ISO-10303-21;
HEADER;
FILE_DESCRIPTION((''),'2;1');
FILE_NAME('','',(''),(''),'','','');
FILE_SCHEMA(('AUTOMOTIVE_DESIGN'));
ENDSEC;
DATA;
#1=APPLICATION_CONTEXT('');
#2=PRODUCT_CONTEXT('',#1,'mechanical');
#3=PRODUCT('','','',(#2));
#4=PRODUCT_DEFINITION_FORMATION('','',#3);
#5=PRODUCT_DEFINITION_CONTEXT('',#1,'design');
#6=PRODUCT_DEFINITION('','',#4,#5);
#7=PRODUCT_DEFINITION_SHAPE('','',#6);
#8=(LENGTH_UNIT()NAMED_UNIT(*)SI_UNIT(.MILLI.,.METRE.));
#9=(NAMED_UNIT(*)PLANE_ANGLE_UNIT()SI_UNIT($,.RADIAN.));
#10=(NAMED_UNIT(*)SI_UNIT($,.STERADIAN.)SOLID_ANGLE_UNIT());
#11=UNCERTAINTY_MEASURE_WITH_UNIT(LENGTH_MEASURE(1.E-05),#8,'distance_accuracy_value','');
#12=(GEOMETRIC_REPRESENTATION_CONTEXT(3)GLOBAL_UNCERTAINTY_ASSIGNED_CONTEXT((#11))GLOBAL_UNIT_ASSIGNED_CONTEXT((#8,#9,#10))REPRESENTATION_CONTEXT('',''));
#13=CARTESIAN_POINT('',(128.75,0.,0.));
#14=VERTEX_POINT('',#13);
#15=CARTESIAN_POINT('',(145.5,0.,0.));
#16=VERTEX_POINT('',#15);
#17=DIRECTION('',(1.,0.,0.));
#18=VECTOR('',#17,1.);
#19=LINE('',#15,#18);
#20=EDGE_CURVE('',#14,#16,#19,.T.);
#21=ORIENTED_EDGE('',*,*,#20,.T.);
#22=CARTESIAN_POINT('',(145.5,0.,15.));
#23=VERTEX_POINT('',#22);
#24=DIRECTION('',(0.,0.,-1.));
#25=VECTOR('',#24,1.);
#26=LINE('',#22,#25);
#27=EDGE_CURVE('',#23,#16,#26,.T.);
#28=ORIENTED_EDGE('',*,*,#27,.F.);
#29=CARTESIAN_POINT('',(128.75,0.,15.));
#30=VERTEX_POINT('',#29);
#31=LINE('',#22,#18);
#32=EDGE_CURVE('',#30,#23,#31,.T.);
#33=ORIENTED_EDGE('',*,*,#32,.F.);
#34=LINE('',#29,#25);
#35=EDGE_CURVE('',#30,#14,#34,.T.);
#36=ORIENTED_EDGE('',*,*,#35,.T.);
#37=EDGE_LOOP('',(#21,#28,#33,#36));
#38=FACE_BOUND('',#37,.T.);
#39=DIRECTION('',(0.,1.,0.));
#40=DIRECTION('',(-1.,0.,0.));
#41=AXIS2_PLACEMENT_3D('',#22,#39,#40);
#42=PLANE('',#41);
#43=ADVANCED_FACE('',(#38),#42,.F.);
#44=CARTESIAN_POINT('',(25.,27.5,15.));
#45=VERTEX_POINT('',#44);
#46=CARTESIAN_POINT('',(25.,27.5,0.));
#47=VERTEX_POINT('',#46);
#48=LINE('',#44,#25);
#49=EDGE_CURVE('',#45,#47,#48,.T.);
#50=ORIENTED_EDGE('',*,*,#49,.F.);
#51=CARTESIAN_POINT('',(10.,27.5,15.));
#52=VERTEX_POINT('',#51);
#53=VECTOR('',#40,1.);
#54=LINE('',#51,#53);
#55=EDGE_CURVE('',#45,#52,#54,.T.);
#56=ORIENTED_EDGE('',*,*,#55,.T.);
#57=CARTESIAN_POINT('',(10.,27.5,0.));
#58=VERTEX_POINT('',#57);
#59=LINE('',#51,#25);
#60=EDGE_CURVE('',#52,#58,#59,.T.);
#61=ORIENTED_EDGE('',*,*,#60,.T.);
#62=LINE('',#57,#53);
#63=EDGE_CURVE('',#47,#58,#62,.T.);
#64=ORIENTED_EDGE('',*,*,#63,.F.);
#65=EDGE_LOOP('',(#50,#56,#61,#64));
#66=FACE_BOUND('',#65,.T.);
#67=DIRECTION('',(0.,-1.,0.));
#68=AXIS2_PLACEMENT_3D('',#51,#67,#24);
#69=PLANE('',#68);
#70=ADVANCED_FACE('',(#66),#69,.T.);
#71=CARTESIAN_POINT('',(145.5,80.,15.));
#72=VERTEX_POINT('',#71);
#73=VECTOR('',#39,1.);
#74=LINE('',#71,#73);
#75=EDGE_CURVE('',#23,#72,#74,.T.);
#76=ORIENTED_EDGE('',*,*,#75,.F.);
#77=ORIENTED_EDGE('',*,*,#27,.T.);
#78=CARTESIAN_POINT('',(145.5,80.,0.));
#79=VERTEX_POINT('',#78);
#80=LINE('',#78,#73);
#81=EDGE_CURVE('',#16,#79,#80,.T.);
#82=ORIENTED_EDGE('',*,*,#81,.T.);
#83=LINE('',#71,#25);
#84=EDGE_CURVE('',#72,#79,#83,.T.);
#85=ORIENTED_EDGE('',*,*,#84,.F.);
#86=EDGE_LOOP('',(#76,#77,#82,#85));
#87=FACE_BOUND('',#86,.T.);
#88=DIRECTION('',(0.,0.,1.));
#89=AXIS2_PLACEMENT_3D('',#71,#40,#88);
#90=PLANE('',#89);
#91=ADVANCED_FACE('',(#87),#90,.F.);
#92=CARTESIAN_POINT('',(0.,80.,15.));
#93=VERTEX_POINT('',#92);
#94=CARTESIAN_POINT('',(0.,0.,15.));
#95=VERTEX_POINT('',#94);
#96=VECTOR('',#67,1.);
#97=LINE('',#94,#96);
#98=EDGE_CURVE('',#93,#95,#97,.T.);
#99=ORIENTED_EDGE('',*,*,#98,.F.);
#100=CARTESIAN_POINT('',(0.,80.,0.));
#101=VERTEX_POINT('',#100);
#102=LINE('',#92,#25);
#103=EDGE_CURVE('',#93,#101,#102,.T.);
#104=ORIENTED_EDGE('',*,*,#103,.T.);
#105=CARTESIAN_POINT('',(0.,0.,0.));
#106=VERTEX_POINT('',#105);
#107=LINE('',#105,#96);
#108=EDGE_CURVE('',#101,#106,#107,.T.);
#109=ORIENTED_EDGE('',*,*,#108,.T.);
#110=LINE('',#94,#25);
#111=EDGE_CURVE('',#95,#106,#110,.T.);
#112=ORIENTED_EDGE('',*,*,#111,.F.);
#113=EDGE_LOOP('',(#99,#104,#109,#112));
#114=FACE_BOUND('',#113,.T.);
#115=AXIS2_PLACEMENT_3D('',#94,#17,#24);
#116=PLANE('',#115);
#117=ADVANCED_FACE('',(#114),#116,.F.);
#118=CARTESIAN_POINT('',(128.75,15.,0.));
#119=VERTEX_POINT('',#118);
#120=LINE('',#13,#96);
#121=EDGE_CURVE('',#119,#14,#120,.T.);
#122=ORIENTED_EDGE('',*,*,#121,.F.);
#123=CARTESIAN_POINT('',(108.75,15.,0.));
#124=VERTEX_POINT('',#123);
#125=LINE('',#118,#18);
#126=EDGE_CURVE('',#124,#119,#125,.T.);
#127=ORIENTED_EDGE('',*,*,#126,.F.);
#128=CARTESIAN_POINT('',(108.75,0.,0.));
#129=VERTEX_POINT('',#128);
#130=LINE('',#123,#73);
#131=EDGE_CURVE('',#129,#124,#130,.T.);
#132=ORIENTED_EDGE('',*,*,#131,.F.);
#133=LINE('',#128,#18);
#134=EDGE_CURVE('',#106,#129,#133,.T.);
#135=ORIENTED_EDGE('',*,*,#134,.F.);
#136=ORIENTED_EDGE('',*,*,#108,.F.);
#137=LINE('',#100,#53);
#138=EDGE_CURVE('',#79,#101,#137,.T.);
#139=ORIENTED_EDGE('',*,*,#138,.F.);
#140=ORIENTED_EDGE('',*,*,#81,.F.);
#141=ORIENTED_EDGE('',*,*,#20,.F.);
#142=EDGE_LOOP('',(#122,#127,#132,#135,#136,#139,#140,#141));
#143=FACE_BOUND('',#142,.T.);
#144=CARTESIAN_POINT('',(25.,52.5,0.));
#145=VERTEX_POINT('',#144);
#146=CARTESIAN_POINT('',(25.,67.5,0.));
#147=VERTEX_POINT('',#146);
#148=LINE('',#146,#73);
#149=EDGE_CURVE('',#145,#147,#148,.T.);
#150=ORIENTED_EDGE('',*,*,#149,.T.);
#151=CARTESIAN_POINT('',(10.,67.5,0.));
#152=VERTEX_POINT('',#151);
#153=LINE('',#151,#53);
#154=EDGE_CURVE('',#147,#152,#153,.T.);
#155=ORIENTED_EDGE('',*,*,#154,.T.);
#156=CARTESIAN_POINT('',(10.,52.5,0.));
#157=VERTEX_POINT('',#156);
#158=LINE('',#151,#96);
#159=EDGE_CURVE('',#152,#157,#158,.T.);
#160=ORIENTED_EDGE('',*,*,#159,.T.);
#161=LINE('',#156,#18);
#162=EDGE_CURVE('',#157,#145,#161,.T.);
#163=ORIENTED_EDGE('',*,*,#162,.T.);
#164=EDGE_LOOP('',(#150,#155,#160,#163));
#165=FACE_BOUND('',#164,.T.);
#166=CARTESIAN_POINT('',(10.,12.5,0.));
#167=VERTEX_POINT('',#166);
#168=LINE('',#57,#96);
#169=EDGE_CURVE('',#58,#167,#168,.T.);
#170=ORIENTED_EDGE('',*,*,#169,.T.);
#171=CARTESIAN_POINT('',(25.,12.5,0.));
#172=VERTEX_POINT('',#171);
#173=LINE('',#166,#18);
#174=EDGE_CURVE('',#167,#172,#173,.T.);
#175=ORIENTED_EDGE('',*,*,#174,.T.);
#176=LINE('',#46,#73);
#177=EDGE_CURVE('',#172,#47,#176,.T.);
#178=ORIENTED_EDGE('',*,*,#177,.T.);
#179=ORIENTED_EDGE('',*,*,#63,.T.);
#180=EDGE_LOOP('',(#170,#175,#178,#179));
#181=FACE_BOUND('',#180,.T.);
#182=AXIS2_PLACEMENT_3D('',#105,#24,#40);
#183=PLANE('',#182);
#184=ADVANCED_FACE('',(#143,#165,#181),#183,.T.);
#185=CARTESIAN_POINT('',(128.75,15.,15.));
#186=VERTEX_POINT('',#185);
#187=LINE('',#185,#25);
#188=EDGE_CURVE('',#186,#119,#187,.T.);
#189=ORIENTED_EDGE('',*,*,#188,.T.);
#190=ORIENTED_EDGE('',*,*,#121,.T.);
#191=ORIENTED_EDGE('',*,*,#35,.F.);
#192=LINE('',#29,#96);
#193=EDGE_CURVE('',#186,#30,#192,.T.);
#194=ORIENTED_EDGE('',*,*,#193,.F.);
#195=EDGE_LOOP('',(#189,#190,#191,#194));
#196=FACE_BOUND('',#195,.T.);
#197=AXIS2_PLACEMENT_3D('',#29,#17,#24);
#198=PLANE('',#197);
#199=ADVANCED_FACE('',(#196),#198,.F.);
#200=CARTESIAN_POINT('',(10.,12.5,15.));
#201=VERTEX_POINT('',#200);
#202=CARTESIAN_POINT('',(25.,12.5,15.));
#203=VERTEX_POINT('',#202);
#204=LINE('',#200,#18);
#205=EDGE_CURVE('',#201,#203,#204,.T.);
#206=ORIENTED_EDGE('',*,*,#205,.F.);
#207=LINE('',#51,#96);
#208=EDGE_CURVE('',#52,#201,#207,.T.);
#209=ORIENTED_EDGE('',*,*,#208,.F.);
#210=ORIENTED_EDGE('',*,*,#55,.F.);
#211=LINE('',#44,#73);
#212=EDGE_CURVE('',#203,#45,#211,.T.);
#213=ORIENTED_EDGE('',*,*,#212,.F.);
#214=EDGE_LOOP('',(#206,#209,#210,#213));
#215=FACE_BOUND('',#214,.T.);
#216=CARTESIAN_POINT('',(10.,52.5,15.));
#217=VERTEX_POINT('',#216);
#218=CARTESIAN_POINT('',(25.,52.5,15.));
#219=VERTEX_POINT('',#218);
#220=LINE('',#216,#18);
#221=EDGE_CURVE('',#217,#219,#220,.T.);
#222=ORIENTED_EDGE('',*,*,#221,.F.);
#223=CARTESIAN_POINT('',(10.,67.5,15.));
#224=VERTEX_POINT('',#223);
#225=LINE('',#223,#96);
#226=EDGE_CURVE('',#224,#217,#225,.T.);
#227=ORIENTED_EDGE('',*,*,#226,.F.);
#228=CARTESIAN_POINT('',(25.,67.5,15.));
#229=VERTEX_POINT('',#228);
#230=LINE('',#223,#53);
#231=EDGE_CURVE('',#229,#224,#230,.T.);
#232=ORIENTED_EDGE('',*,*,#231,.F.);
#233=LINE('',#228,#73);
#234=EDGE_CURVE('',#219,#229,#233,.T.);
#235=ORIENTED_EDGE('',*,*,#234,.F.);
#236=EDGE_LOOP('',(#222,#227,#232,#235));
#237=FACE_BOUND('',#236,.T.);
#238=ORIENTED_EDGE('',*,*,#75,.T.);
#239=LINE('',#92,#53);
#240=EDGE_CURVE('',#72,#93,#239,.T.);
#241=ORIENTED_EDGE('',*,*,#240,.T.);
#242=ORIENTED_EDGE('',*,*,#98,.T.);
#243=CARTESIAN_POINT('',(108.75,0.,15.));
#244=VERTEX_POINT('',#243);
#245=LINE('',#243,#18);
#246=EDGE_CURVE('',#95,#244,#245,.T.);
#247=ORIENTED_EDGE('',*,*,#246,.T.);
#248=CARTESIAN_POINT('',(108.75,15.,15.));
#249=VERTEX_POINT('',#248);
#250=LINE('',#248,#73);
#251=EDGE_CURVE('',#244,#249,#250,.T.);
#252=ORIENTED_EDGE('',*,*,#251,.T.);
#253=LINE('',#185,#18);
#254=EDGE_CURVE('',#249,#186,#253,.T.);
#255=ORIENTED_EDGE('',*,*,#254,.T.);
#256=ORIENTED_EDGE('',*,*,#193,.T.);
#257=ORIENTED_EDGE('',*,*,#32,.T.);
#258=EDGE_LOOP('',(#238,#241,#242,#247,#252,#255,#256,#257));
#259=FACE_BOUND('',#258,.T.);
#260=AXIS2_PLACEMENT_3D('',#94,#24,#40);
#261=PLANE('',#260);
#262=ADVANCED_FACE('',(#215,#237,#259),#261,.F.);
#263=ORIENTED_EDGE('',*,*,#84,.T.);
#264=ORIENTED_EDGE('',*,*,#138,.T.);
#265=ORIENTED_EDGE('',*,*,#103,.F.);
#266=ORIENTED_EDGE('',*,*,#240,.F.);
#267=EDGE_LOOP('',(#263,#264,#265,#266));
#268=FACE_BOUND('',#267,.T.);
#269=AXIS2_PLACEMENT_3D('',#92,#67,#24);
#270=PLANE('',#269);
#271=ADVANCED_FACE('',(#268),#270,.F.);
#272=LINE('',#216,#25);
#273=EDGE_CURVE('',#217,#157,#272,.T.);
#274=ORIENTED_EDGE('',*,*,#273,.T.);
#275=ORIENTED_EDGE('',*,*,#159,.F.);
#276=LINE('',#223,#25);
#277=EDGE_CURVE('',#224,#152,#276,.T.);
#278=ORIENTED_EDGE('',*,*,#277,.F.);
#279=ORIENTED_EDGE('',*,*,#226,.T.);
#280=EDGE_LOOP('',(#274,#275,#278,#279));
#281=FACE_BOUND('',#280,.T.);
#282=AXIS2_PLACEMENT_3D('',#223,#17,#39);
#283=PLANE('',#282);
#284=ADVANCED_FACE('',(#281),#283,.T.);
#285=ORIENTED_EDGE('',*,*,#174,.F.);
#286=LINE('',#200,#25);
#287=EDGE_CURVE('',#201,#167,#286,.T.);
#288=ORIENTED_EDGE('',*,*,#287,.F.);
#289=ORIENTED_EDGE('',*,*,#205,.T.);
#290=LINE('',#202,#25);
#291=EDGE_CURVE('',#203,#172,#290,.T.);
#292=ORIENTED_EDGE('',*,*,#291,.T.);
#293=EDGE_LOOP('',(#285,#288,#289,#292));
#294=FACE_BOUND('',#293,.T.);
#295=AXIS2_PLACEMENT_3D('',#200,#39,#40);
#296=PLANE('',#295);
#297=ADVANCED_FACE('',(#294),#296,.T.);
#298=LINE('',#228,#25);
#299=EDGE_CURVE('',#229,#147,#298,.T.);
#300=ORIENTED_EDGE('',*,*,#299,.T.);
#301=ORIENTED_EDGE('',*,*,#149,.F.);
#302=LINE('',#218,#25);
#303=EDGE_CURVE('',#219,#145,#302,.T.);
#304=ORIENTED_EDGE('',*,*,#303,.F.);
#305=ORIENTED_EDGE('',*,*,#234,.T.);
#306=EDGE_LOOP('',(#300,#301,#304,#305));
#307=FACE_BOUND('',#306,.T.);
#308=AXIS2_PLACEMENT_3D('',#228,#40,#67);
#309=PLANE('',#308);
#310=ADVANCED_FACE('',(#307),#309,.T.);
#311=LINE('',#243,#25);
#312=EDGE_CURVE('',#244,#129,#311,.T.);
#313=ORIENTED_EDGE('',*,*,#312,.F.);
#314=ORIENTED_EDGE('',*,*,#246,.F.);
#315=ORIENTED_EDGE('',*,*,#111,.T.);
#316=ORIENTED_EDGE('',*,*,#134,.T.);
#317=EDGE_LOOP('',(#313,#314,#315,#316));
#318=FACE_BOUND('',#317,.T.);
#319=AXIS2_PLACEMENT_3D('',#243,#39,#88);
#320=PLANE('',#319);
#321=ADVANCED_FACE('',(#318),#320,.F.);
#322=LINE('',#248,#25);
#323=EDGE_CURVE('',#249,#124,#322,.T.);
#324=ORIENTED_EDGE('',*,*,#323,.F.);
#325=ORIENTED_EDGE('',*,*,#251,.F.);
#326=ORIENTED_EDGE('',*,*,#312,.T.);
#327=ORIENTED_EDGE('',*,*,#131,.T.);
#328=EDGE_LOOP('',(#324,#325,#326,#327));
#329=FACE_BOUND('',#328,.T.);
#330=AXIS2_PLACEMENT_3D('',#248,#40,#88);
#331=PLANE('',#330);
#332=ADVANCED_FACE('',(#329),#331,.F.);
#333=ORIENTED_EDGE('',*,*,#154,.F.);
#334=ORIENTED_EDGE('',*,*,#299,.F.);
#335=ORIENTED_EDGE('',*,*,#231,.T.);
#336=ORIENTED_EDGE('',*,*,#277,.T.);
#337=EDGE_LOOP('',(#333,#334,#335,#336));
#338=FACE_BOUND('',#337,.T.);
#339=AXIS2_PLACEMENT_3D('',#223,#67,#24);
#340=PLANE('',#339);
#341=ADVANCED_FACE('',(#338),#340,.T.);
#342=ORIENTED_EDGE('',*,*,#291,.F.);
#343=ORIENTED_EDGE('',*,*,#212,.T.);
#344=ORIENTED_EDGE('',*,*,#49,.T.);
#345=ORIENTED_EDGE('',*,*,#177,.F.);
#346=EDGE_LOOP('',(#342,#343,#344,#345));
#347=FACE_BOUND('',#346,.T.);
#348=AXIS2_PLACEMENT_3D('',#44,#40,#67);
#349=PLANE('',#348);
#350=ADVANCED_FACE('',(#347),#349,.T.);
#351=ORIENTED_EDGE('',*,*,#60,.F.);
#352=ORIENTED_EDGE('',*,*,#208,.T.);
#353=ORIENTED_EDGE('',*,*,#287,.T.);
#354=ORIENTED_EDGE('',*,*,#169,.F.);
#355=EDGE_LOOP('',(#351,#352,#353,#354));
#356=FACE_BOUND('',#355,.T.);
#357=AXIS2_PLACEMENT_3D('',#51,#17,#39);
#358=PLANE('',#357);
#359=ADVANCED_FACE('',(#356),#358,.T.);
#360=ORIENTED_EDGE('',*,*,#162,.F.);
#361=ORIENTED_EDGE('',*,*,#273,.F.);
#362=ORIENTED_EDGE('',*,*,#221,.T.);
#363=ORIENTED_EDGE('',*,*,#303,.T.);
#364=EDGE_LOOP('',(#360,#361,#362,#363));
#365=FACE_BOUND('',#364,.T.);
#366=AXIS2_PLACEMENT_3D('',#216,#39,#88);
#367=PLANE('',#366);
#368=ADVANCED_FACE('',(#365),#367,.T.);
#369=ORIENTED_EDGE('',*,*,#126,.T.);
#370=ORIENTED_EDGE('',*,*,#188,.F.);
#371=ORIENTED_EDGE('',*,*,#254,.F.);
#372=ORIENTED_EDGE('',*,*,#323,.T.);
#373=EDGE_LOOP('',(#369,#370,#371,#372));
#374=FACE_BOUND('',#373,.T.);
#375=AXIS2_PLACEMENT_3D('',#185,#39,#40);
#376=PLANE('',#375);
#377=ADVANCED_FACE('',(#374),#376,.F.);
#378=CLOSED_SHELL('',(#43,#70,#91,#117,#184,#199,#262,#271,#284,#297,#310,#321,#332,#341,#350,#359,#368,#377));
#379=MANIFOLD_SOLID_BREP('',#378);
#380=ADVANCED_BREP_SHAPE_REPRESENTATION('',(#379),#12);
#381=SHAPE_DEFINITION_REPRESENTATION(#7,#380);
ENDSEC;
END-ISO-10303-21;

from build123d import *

# Parameters (mm, degrees)
SKETCH1_W           = 15
SKETCH1_H           = 15
BOSS_EXTRUDE1_DEPTH = 15


with BuildPart() as part:
    # Sketch1 → Boss-Extrude1 (new body)
    with BuildSketch(Plane.XY):
        Polygon((0, 0), (0, 80), (145.5, 80), (145.5, 0), (128.75, 0), (128.75, 15), (108.75, 15), (108.75, 0), align=None)
        with Locations((17.5, 60)):
            Rectangle(SKETCH1_W, SKETCH1_H, mode=Mode.SUBTRACT)
        with Locations((17.5, 20)):
            Rectangle(SKETCH1_W, SKETCH1_H, mode=Mode.SUBTRACT)
    extrude(amount=BOSS_EXTRUDE1_DEPTH)


solid = part.part
